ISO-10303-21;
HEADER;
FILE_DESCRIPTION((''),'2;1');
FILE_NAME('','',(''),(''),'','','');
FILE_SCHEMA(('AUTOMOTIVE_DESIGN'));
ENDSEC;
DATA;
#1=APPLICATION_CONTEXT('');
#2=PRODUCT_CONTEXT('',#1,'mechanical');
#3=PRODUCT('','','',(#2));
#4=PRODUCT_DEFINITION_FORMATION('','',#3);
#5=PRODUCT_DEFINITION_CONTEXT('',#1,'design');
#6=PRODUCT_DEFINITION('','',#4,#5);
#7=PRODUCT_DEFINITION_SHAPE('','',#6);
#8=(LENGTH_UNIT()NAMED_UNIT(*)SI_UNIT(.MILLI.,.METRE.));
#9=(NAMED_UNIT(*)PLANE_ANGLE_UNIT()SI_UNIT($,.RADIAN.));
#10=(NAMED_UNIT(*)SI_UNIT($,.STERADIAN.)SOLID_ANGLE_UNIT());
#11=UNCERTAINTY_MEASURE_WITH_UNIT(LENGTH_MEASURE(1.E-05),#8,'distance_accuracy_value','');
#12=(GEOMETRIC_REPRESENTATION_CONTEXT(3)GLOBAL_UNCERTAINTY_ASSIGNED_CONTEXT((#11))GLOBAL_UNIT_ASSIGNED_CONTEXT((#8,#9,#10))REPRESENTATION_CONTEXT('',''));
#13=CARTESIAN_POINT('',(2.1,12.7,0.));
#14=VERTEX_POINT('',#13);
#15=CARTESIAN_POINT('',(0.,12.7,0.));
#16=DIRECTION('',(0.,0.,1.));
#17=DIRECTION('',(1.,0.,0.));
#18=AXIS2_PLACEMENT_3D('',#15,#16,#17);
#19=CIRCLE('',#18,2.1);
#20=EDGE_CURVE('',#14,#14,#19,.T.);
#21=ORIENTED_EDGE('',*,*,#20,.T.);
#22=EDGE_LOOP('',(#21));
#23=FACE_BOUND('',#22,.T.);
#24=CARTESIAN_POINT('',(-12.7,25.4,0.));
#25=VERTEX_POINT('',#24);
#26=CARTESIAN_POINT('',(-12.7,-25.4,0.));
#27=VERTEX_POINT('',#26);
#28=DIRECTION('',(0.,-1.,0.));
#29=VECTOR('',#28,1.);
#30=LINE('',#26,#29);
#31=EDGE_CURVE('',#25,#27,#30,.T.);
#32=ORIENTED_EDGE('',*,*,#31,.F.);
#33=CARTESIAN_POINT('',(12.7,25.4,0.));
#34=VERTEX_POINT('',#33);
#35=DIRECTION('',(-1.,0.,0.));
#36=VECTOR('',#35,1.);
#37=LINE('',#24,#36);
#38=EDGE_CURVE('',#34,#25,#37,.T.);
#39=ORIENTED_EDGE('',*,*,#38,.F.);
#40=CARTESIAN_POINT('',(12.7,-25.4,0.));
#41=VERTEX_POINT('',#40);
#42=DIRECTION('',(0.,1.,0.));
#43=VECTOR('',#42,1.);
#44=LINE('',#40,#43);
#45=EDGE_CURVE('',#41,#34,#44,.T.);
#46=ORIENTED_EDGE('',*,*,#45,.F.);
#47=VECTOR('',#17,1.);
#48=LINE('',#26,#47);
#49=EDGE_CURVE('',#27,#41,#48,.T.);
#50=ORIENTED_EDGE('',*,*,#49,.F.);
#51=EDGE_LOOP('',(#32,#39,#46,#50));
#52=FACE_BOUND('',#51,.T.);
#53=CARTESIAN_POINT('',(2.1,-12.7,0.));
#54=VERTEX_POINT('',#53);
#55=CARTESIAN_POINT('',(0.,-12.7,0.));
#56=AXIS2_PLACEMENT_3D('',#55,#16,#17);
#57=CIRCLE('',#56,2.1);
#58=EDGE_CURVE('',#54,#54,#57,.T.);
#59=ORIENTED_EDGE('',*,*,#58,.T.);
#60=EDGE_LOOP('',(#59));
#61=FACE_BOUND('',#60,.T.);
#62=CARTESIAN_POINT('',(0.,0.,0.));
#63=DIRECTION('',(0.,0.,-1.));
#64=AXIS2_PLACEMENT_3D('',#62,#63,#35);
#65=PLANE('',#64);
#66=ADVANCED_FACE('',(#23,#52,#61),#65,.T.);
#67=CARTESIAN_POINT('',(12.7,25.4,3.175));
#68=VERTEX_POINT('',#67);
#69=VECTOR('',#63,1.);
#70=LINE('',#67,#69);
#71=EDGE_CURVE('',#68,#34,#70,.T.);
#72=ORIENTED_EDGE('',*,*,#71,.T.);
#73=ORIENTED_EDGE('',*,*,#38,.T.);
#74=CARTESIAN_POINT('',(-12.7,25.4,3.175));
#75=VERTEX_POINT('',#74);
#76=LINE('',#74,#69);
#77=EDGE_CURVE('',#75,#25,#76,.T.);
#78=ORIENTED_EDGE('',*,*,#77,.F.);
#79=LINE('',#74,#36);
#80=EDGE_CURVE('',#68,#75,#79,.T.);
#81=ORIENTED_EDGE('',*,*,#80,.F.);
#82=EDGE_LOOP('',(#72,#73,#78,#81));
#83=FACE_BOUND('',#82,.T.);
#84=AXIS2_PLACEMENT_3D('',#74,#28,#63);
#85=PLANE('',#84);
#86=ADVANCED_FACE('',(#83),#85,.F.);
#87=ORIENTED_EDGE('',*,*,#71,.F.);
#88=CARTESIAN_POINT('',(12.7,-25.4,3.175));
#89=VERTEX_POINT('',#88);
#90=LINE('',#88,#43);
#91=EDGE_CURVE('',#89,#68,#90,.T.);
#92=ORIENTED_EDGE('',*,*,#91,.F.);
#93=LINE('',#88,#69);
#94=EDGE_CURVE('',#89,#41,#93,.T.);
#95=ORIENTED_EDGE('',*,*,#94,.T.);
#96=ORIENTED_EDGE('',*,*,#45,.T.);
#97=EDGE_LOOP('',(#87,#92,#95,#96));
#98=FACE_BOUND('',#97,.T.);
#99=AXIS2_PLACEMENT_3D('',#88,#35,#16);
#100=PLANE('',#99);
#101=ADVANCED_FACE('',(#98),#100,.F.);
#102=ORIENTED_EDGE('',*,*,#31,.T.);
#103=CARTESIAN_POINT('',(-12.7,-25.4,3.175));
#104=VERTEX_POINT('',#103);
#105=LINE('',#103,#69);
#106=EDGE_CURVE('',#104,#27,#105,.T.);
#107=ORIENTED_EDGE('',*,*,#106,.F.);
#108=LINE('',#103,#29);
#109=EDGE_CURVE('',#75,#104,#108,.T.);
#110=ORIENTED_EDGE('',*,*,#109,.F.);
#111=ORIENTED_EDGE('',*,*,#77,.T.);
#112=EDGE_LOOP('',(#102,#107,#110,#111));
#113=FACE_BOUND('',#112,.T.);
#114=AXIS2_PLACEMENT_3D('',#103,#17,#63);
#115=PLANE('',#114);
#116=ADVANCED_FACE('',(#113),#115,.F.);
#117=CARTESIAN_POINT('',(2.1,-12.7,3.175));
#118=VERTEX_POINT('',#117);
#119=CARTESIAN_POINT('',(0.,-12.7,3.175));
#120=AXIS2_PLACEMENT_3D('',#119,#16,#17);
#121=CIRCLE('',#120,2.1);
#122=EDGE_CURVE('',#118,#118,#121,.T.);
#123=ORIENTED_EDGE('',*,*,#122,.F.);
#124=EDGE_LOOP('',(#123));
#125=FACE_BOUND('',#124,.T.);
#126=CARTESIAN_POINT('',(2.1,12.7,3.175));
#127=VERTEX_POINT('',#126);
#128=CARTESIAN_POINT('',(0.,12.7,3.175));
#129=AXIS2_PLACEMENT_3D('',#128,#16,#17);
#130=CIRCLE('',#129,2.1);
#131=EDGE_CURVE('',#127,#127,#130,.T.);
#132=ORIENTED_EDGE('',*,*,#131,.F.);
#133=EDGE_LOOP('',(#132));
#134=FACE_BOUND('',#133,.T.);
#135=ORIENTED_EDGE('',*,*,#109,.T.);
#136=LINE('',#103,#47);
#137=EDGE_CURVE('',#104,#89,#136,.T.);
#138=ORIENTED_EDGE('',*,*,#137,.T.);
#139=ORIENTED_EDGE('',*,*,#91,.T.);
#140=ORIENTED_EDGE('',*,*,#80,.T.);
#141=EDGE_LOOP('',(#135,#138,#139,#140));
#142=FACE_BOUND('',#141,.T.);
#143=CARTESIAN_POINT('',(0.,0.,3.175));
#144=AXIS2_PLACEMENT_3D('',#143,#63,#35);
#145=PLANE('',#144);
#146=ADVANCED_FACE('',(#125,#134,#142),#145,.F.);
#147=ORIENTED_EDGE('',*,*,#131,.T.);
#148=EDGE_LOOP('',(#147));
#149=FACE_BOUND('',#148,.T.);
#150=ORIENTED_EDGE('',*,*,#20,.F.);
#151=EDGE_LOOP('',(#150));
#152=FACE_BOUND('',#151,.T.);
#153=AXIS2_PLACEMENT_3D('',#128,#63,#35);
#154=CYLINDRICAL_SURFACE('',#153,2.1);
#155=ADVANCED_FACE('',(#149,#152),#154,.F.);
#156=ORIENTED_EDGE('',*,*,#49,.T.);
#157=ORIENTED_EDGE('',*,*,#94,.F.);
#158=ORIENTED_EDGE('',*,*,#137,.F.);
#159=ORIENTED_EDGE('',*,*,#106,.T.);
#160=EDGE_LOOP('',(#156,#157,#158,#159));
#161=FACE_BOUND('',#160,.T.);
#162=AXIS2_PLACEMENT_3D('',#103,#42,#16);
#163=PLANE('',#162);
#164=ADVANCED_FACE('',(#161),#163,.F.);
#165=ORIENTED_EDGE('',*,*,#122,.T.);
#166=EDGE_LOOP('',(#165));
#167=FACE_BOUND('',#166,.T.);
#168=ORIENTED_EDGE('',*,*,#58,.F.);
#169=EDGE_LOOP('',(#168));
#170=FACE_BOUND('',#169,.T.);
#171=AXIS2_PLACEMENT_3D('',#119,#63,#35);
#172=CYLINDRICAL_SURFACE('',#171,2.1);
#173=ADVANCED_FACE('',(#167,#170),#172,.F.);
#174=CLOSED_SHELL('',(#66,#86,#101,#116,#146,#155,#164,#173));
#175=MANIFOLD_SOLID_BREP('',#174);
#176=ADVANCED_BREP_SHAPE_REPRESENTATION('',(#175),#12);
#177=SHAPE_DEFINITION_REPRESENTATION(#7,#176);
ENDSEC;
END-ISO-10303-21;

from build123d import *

# Parameters (mm, degrees)
SKETCH1_W           = 25.4
SKETCH1_H           = 50.8
SKETCH1_R           = 2.1
BOSS_EXTRUDE1_DEPTH = 3.175


with BuildPart() as part:
    # Sketch1 → Boss-Extrude1 (new body)
    with BuildSketch(Plane.XY):
        Rectangle(SKETCH1_W, SKETCH1_H)
        with Locations((0, 12.7)):
            Circle(SKETCH1_R, mode=Mode.SUBTRACT)
        with Locations((0, -12.7)):
            Circle(SKETCH1_R, mode=Mode.SUBTRACT)
    extrude(amount=BOSS_EXTRUDE1_DEPTH)


solid = part.part
